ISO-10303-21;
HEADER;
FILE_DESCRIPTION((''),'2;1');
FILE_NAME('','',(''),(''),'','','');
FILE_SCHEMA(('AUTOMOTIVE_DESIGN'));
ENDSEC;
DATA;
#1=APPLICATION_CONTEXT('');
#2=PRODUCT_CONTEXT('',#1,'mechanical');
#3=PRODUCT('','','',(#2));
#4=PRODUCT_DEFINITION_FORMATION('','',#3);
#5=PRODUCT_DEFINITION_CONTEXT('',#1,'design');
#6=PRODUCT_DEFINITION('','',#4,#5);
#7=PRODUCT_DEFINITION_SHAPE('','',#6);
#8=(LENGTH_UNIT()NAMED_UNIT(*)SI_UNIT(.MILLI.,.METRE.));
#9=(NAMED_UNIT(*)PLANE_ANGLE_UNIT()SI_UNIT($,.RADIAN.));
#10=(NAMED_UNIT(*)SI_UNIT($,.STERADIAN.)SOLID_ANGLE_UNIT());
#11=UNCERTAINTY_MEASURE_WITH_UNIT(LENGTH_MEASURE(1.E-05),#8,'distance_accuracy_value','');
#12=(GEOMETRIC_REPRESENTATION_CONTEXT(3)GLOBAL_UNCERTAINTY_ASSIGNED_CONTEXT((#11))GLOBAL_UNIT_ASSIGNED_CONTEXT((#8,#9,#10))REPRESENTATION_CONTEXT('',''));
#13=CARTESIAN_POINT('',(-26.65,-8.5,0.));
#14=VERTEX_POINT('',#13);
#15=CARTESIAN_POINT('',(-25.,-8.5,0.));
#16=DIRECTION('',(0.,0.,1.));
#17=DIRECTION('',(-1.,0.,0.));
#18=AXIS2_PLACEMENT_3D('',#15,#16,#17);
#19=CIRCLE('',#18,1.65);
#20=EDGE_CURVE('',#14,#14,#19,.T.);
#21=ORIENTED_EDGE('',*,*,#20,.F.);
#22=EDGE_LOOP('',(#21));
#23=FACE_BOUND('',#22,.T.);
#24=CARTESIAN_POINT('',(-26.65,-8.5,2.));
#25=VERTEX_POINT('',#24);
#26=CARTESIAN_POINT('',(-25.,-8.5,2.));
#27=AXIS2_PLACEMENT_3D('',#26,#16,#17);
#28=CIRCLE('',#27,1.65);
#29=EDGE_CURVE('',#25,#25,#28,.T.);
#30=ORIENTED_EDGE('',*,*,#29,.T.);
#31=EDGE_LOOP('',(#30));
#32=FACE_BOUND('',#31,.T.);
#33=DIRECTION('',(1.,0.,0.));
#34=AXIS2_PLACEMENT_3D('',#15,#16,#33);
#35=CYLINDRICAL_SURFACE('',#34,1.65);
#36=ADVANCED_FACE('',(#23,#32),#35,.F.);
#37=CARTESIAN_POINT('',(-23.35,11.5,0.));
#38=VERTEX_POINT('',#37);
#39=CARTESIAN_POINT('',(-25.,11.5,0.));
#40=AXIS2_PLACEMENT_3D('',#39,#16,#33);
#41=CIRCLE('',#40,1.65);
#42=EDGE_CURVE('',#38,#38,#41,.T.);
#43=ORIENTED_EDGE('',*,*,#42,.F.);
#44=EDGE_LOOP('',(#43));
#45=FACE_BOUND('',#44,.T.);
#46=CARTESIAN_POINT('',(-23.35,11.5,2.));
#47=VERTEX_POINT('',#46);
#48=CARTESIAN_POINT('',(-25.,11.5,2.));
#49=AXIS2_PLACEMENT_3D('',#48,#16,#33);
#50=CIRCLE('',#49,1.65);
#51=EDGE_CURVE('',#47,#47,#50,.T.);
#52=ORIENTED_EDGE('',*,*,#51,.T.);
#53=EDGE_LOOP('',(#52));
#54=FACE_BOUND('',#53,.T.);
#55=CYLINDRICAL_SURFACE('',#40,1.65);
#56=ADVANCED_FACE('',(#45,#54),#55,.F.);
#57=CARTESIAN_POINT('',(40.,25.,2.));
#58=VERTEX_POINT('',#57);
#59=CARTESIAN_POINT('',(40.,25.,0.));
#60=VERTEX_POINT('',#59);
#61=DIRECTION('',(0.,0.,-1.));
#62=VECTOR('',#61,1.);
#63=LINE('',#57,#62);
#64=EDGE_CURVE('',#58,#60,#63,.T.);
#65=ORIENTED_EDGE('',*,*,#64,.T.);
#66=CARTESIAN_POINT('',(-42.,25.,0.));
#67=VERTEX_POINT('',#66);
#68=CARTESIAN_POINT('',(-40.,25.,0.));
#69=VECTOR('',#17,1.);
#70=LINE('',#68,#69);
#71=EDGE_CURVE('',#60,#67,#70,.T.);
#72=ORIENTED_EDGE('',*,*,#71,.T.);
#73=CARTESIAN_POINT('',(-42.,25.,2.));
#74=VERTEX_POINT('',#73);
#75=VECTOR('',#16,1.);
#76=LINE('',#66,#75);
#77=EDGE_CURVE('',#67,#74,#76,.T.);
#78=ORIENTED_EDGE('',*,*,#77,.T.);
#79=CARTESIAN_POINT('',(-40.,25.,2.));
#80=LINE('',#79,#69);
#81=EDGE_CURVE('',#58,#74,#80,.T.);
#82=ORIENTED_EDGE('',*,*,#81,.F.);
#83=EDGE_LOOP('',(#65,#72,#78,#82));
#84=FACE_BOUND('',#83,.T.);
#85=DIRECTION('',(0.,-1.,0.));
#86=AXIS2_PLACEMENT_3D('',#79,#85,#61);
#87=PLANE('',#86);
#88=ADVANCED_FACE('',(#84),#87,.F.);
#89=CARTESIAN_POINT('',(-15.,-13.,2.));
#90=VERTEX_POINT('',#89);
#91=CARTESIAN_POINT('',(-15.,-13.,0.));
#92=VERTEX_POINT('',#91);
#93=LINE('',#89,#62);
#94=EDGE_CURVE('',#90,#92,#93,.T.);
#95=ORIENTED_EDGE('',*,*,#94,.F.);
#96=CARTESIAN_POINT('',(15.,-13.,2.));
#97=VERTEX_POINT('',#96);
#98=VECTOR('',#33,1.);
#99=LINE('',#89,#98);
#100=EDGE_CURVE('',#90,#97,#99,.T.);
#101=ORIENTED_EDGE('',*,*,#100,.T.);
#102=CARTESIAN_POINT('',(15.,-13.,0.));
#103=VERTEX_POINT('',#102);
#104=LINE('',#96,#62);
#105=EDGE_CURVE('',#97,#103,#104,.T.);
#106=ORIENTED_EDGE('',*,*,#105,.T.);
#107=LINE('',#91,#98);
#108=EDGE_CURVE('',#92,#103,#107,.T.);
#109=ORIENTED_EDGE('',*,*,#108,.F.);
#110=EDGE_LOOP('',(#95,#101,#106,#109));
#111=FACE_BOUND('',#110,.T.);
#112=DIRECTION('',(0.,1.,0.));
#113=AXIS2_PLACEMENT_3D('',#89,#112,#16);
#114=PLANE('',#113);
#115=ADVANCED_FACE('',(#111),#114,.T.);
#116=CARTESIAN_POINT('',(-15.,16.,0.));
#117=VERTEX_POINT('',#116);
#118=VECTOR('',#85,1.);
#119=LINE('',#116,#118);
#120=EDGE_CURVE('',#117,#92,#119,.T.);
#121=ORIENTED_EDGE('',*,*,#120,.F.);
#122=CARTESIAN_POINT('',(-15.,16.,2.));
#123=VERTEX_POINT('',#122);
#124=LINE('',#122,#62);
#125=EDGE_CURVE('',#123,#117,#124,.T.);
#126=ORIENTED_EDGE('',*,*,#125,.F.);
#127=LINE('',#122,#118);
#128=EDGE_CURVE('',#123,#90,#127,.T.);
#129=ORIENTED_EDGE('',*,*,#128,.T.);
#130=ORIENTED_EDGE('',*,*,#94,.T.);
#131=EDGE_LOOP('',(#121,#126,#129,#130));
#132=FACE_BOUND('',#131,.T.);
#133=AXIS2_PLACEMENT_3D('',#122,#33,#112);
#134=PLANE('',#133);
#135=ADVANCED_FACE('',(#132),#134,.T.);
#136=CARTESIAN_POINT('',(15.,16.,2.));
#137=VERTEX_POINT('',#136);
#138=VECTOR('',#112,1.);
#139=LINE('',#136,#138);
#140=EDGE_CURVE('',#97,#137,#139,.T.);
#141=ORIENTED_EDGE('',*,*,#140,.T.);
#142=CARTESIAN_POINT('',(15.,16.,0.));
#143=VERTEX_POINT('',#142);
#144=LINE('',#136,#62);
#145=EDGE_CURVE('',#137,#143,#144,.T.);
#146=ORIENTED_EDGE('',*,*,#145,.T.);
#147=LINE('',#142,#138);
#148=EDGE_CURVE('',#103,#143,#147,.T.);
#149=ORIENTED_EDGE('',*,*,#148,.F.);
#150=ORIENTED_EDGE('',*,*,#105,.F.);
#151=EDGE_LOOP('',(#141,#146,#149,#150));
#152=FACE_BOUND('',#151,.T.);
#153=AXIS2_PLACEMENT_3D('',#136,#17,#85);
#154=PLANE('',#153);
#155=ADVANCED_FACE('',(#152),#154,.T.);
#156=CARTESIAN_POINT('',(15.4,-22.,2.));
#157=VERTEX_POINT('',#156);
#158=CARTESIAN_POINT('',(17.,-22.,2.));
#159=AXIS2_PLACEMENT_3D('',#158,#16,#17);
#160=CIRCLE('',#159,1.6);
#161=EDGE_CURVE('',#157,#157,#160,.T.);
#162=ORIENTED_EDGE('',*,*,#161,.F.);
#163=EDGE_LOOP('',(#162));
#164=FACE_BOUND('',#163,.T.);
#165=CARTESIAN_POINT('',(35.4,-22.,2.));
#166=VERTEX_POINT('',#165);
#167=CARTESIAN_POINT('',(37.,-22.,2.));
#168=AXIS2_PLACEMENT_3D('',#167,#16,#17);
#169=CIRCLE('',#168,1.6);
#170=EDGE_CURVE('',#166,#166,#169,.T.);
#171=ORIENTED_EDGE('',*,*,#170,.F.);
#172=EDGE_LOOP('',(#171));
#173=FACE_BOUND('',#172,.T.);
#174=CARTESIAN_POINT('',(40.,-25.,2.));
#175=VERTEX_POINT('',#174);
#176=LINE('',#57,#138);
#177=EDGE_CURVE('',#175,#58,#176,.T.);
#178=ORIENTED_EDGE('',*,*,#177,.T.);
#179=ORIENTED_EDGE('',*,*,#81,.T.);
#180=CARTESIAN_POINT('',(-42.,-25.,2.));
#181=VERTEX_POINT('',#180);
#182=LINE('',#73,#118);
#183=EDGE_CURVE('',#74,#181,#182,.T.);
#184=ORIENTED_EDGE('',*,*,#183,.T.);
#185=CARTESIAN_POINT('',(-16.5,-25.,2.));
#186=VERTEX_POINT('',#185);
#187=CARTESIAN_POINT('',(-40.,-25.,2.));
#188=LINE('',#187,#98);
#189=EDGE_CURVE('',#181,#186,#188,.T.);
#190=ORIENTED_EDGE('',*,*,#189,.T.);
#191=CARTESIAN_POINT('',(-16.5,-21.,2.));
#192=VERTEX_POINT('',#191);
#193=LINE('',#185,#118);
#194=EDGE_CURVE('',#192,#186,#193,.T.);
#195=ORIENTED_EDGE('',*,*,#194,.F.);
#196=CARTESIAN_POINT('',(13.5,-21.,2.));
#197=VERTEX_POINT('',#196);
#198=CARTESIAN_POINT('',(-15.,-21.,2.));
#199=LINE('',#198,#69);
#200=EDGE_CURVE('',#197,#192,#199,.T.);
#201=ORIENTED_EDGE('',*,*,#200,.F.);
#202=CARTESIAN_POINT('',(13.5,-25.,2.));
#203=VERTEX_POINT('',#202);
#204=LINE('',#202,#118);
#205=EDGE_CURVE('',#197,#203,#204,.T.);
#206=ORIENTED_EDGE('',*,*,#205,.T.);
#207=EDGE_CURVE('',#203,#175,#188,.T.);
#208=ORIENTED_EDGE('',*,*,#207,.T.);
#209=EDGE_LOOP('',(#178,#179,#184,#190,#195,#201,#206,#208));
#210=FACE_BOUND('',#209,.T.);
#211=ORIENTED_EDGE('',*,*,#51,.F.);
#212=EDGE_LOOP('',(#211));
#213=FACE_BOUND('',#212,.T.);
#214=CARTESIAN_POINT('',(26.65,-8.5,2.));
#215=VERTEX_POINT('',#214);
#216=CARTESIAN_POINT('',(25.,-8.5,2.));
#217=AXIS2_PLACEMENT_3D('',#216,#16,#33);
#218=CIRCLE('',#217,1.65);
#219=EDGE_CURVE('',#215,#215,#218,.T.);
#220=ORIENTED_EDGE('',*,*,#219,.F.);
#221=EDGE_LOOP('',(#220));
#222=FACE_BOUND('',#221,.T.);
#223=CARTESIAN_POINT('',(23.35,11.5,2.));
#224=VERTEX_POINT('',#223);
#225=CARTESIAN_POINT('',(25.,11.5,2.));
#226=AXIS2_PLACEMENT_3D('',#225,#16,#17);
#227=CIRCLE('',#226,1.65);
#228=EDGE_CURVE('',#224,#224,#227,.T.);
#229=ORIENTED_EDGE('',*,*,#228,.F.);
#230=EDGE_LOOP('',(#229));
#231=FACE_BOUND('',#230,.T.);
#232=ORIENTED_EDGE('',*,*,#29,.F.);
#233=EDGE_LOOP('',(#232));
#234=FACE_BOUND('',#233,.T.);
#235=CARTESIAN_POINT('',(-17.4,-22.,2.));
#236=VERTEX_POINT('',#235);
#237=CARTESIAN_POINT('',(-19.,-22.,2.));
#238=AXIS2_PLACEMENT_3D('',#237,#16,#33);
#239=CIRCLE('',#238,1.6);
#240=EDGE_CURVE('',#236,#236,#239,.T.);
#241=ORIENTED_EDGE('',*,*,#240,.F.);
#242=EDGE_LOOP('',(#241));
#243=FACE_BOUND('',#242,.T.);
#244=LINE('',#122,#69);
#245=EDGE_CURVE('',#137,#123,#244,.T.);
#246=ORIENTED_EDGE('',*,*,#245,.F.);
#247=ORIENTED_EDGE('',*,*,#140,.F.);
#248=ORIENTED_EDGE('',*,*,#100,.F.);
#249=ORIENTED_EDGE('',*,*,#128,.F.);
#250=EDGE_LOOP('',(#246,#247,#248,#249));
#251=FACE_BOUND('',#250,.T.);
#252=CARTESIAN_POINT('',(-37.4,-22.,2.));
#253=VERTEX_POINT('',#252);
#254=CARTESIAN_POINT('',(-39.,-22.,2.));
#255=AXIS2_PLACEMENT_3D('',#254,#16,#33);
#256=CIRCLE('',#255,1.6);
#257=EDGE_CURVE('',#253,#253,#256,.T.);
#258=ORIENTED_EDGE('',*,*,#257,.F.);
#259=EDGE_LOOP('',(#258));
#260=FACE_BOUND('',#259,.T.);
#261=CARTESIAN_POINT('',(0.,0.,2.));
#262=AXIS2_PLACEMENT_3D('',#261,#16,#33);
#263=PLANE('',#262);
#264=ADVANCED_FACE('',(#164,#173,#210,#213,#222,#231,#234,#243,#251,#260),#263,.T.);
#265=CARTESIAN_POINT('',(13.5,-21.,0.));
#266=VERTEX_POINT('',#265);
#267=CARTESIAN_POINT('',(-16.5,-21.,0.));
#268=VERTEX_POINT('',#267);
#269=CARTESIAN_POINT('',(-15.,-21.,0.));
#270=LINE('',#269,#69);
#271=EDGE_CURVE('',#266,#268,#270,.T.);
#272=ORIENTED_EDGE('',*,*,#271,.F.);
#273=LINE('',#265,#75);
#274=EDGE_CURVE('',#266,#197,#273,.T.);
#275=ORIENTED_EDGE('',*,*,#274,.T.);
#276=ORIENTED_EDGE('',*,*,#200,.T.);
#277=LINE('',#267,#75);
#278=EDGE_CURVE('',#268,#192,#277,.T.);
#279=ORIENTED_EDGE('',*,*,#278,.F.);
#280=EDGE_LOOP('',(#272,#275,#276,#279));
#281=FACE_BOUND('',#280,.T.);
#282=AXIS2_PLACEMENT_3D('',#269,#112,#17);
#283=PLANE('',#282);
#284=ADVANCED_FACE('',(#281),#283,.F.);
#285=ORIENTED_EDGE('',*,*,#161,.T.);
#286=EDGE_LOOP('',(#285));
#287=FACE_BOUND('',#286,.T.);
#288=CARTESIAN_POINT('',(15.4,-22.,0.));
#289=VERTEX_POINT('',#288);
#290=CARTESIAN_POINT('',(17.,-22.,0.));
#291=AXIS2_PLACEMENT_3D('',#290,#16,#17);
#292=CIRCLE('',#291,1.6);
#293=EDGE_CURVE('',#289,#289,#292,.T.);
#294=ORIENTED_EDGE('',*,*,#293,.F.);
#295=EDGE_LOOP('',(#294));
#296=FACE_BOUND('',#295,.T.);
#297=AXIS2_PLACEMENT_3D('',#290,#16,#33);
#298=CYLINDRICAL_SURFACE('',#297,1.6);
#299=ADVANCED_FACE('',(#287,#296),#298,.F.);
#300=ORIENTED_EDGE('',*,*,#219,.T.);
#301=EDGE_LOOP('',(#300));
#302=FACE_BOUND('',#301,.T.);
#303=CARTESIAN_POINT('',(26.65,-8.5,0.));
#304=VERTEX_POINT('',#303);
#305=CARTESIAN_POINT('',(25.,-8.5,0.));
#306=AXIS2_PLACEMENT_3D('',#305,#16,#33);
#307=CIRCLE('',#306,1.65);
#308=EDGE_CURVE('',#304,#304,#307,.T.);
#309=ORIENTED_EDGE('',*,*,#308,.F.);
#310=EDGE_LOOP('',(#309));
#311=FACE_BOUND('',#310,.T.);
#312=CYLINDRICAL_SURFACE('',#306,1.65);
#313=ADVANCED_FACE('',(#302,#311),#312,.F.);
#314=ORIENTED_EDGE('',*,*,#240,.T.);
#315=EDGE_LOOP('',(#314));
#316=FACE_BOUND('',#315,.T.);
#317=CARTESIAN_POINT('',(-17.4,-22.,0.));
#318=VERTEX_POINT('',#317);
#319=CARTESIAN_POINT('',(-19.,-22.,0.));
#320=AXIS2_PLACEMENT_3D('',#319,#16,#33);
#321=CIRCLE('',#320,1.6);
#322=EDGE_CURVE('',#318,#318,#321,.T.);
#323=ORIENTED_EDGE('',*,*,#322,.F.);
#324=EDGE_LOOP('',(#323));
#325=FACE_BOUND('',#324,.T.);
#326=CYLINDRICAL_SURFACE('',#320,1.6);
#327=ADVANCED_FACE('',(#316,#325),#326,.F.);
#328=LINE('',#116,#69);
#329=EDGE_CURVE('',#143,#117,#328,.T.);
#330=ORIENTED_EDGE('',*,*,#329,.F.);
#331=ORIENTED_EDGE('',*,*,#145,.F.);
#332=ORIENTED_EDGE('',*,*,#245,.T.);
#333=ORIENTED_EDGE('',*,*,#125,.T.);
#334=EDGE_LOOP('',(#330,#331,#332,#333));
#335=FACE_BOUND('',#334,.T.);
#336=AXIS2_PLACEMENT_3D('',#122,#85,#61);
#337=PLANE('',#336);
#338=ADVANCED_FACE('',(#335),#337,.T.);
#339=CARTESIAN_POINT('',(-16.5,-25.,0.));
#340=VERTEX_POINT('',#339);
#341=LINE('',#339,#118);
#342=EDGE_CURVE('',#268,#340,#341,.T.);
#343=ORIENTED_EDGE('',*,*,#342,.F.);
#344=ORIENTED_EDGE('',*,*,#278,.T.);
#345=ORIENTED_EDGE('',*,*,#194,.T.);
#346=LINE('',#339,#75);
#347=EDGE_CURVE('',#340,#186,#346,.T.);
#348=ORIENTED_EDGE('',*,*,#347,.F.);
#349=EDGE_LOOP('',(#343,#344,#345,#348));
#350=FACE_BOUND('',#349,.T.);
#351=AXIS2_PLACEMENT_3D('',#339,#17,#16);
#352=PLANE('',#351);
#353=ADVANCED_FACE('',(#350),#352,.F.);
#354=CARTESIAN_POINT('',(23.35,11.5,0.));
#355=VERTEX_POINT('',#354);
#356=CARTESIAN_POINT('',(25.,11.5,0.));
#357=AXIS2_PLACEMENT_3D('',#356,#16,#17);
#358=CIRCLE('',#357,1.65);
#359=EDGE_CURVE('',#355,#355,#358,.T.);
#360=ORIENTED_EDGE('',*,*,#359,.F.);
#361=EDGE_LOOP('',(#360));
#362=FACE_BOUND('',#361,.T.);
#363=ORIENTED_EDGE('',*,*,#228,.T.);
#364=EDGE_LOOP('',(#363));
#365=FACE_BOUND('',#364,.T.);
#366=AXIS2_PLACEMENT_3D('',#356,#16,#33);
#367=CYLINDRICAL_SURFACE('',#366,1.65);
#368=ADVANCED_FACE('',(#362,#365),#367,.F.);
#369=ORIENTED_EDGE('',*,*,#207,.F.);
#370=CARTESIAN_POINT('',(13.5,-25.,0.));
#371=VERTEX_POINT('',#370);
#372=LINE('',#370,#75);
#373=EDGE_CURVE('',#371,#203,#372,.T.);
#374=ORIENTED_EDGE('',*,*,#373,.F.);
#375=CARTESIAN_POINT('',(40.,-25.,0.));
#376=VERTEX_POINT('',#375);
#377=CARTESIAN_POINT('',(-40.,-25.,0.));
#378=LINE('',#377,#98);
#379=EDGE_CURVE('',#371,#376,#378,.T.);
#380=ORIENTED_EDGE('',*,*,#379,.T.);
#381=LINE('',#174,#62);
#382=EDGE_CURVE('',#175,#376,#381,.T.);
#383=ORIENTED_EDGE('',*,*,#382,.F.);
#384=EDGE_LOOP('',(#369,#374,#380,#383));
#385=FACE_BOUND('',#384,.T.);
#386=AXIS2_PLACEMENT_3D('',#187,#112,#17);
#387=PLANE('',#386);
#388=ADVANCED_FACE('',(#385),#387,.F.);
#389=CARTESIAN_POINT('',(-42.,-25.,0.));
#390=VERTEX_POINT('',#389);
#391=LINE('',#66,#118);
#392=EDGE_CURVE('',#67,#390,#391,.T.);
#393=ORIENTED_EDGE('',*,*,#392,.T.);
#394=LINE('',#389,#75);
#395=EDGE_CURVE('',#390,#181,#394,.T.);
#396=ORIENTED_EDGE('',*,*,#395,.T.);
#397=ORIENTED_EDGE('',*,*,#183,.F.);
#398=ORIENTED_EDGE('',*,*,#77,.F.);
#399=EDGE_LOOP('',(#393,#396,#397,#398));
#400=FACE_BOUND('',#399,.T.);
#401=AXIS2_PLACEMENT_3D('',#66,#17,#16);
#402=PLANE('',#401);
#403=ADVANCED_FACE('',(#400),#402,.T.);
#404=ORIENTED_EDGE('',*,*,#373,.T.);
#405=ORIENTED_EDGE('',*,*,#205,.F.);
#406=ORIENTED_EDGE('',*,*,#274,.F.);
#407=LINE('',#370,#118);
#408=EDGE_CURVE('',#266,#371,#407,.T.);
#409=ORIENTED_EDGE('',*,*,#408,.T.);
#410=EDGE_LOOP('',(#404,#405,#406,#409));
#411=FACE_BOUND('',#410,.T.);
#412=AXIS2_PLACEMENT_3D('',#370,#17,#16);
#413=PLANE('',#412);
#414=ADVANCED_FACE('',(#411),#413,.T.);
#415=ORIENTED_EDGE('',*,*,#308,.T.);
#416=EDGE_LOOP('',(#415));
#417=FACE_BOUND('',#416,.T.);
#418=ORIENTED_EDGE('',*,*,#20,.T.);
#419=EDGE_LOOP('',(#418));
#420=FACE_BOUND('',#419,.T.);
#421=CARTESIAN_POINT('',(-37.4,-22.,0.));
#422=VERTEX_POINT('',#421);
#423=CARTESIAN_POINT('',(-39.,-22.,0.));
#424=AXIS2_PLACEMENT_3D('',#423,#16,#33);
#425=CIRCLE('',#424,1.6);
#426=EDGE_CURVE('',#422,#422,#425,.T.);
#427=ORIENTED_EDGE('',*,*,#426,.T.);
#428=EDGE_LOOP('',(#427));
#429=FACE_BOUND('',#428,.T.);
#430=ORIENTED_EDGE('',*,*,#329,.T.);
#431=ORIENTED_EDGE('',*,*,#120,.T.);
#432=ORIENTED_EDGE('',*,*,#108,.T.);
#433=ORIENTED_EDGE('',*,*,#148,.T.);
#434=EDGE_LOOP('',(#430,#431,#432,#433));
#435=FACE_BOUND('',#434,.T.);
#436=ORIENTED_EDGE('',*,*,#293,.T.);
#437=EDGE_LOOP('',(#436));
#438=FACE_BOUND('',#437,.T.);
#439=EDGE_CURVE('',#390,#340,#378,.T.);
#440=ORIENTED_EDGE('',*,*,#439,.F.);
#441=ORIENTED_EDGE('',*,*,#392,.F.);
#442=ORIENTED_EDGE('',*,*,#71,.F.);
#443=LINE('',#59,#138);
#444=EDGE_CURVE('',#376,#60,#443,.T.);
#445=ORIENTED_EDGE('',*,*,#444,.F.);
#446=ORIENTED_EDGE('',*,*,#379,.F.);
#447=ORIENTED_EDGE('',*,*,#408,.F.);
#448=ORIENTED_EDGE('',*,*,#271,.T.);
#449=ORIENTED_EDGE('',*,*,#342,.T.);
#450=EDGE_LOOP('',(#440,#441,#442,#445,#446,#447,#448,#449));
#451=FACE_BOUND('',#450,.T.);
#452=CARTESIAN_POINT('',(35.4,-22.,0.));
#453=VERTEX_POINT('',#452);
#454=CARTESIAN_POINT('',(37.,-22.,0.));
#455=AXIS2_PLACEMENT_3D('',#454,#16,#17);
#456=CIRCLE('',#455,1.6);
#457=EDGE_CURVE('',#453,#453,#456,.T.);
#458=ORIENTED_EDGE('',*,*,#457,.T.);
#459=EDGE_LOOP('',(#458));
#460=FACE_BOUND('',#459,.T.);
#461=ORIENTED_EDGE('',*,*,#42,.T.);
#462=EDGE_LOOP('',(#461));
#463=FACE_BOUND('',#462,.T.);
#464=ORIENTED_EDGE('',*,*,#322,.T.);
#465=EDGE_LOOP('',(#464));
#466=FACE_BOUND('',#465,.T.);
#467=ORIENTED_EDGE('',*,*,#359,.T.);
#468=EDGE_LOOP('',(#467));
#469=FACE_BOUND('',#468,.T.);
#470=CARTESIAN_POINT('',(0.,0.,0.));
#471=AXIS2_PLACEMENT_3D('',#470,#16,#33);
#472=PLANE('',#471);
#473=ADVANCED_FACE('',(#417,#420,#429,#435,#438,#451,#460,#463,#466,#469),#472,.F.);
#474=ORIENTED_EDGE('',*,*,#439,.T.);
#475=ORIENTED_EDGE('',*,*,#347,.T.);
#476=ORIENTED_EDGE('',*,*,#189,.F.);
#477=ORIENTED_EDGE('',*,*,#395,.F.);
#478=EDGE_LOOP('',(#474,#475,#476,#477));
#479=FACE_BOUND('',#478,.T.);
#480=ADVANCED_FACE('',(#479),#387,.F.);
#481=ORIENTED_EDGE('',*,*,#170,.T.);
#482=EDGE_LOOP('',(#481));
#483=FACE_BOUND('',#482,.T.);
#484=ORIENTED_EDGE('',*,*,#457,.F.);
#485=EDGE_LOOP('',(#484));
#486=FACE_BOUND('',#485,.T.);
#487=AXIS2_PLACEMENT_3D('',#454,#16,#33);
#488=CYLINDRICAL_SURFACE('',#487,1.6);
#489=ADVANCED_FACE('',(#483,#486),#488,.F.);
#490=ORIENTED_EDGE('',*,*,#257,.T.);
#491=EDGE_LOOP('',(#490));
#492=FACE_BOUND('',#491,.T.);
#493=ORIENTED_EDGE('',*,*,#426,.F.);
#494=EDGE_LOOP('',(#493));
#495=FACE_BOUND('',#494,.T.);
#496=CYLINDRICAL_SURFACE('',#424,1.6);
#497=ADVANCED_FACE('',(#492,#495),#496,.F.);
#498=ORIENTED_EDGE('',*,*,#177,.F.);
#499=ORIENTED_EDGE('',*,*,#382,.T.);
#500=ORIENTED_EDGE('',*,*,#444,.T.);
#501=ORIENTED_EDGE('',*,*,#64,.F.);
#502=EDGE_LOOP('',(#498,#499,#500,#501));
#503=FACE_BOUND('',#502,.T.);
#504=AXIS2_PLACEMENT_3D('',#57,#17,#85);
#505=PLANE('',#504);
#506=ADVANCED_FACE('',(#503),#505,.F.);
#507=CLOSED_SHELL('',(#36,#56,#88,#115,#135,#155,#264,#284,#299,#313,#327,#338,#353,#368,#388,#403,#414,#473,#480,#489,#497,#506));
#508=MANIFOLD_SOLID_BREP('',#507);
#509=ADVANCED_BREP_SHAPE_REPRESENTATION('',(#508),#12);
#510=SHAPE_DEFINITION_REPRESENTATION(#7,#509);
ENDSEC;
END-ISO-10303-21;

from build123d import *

# Parameters (mm, degrees)
SKETCH_1_W          = 80
SKETCH_1_H          = 50
SKETCH_1_W_2        = 30
SKETCH_1_H_2        = 29
EXTRUDE_1_DEPTH     = 2
SKETCH_5_W          = 2
SKETCH_5_H          = 50
EXTRUDE_2_DEPTH     = 2
SKETCH_2_W          = 30
SKETCH_2_H          = 4
CUT_EXTRUDE_1_DEPTH = 49.918299235
SKETCH_3_R          = 1.6
CUT_EXTRUDE_2_DEPTH = 49.918299235
SKETCH_6_W          = 1.5
SKETCH_6_H          = 4
CUT_EXTRUDE_4_DEPTH = 49.918299235
SKETCH_7_W          = 1.5
SKETCH_7_H          = 4
EXTRUDE_3_DEPTH     = 2
SKETCH_8_R          = 1.65
CUT_EXTRUDE_5_DEPTH = 49.918299235


with BuildPart() as part:
    # 草图1 → 凸台-拉伸1 (new body)
    with BuildSketch(Plane.XY):
        Rectangle(SKETCH_1_W, SKETCH_1_H)
        with Locations((0, 1.5)):
            Rectangle(SKETCH_1_W_2, SKETCH_1_H_2, mode=Mode.SUBTRACT)
    extrude(amount=EXTRUDE_1_DEPTH)

    # 草图5 → 凸台-拉伸2 (add)
    with BuildSketch(Plane.XY.offset(2)):
        with Locations((-41, 0)):
            Rectangle(SKETCH_5_W, SKETCH_5_H)
    extrude(amount=-EXTRUDE_2_DEPTH)

    # 草图2 → 切除-拉伸1 (cut, through all)
    with BuildSketch(Plane.XY.offset(2)):
        with Locations((0, -23)):
            Rectangle(SKETCH_2_W, SKETCH_2_H)
    extrude(amount=-CUT_EXTRUDE_1_DEPTH, mode=Mode.SUBTRACT)

    # 草图3 → 切除-拉伸2 (cut, through all)
    with BuildSketch(Plane.XY.offset(2)):
        with Locations((-39, -22)):
            Circle(SKETCH_3_R)
        with Locations((-19, -22)):
            Circle(SKETCH_3_R)
        with Locations(Location((17, -22, 0), (0, 0, 180))):
            Circle(SKETCH_3_R)
        with Locations(Location((37, -22, 0), (0, 0, 180))):
            Circle(SKETCH_3_R)
    extrude(amount=-CUT_EXTRUDE_2_DEPTH, mode=Mode.SUBTRACT)

    # 草图6 → 切除-拉伸4 (cut, through all)
    with BuildSketch(Plane.XY.offset(2)):
        with Locations((-15.75, -23)):
            Rectangle(SKETCH_6_W, SKETCH_6_H)
    extrude(amount=-CUT_EXTRUDE_4_DEPTH, mode=Mode.SUBTRACT)

    # 草图7 → 凸台-拉伸3 (add)
    with BuildSketch(Plane.XY.offset(2)):
        with Locations((14.25, -23)):
            Rectangle(SKETCH_7_W, SKETCH_7_H)
    extrude(amount=-EXTRUDE_3_DEPTH)

    # 草图8 → 切除-拉伸5 (cut, through all)
    with BuildSketch(Plane.XY.offset(2)):
        with Locations((-25, 11.5)):
            Circle(SKETCH_8_R)
        with Locations(Location((25, 11.5, 0), (0, 0, 180))):
            Circle(SKETCH_8_R)
        with Locations(Location((-25, -8.5, 0), (0, 0, 180))):
            Circle(SKETCH_8_R)
        with Locations((25, -8.5)):
            Circle(SKETCH_8_R)
    extrude(amount=-CUT_EXTRUDE_5_DEPTH, mode=Mode.SUBTRACT)


solid = part.part
